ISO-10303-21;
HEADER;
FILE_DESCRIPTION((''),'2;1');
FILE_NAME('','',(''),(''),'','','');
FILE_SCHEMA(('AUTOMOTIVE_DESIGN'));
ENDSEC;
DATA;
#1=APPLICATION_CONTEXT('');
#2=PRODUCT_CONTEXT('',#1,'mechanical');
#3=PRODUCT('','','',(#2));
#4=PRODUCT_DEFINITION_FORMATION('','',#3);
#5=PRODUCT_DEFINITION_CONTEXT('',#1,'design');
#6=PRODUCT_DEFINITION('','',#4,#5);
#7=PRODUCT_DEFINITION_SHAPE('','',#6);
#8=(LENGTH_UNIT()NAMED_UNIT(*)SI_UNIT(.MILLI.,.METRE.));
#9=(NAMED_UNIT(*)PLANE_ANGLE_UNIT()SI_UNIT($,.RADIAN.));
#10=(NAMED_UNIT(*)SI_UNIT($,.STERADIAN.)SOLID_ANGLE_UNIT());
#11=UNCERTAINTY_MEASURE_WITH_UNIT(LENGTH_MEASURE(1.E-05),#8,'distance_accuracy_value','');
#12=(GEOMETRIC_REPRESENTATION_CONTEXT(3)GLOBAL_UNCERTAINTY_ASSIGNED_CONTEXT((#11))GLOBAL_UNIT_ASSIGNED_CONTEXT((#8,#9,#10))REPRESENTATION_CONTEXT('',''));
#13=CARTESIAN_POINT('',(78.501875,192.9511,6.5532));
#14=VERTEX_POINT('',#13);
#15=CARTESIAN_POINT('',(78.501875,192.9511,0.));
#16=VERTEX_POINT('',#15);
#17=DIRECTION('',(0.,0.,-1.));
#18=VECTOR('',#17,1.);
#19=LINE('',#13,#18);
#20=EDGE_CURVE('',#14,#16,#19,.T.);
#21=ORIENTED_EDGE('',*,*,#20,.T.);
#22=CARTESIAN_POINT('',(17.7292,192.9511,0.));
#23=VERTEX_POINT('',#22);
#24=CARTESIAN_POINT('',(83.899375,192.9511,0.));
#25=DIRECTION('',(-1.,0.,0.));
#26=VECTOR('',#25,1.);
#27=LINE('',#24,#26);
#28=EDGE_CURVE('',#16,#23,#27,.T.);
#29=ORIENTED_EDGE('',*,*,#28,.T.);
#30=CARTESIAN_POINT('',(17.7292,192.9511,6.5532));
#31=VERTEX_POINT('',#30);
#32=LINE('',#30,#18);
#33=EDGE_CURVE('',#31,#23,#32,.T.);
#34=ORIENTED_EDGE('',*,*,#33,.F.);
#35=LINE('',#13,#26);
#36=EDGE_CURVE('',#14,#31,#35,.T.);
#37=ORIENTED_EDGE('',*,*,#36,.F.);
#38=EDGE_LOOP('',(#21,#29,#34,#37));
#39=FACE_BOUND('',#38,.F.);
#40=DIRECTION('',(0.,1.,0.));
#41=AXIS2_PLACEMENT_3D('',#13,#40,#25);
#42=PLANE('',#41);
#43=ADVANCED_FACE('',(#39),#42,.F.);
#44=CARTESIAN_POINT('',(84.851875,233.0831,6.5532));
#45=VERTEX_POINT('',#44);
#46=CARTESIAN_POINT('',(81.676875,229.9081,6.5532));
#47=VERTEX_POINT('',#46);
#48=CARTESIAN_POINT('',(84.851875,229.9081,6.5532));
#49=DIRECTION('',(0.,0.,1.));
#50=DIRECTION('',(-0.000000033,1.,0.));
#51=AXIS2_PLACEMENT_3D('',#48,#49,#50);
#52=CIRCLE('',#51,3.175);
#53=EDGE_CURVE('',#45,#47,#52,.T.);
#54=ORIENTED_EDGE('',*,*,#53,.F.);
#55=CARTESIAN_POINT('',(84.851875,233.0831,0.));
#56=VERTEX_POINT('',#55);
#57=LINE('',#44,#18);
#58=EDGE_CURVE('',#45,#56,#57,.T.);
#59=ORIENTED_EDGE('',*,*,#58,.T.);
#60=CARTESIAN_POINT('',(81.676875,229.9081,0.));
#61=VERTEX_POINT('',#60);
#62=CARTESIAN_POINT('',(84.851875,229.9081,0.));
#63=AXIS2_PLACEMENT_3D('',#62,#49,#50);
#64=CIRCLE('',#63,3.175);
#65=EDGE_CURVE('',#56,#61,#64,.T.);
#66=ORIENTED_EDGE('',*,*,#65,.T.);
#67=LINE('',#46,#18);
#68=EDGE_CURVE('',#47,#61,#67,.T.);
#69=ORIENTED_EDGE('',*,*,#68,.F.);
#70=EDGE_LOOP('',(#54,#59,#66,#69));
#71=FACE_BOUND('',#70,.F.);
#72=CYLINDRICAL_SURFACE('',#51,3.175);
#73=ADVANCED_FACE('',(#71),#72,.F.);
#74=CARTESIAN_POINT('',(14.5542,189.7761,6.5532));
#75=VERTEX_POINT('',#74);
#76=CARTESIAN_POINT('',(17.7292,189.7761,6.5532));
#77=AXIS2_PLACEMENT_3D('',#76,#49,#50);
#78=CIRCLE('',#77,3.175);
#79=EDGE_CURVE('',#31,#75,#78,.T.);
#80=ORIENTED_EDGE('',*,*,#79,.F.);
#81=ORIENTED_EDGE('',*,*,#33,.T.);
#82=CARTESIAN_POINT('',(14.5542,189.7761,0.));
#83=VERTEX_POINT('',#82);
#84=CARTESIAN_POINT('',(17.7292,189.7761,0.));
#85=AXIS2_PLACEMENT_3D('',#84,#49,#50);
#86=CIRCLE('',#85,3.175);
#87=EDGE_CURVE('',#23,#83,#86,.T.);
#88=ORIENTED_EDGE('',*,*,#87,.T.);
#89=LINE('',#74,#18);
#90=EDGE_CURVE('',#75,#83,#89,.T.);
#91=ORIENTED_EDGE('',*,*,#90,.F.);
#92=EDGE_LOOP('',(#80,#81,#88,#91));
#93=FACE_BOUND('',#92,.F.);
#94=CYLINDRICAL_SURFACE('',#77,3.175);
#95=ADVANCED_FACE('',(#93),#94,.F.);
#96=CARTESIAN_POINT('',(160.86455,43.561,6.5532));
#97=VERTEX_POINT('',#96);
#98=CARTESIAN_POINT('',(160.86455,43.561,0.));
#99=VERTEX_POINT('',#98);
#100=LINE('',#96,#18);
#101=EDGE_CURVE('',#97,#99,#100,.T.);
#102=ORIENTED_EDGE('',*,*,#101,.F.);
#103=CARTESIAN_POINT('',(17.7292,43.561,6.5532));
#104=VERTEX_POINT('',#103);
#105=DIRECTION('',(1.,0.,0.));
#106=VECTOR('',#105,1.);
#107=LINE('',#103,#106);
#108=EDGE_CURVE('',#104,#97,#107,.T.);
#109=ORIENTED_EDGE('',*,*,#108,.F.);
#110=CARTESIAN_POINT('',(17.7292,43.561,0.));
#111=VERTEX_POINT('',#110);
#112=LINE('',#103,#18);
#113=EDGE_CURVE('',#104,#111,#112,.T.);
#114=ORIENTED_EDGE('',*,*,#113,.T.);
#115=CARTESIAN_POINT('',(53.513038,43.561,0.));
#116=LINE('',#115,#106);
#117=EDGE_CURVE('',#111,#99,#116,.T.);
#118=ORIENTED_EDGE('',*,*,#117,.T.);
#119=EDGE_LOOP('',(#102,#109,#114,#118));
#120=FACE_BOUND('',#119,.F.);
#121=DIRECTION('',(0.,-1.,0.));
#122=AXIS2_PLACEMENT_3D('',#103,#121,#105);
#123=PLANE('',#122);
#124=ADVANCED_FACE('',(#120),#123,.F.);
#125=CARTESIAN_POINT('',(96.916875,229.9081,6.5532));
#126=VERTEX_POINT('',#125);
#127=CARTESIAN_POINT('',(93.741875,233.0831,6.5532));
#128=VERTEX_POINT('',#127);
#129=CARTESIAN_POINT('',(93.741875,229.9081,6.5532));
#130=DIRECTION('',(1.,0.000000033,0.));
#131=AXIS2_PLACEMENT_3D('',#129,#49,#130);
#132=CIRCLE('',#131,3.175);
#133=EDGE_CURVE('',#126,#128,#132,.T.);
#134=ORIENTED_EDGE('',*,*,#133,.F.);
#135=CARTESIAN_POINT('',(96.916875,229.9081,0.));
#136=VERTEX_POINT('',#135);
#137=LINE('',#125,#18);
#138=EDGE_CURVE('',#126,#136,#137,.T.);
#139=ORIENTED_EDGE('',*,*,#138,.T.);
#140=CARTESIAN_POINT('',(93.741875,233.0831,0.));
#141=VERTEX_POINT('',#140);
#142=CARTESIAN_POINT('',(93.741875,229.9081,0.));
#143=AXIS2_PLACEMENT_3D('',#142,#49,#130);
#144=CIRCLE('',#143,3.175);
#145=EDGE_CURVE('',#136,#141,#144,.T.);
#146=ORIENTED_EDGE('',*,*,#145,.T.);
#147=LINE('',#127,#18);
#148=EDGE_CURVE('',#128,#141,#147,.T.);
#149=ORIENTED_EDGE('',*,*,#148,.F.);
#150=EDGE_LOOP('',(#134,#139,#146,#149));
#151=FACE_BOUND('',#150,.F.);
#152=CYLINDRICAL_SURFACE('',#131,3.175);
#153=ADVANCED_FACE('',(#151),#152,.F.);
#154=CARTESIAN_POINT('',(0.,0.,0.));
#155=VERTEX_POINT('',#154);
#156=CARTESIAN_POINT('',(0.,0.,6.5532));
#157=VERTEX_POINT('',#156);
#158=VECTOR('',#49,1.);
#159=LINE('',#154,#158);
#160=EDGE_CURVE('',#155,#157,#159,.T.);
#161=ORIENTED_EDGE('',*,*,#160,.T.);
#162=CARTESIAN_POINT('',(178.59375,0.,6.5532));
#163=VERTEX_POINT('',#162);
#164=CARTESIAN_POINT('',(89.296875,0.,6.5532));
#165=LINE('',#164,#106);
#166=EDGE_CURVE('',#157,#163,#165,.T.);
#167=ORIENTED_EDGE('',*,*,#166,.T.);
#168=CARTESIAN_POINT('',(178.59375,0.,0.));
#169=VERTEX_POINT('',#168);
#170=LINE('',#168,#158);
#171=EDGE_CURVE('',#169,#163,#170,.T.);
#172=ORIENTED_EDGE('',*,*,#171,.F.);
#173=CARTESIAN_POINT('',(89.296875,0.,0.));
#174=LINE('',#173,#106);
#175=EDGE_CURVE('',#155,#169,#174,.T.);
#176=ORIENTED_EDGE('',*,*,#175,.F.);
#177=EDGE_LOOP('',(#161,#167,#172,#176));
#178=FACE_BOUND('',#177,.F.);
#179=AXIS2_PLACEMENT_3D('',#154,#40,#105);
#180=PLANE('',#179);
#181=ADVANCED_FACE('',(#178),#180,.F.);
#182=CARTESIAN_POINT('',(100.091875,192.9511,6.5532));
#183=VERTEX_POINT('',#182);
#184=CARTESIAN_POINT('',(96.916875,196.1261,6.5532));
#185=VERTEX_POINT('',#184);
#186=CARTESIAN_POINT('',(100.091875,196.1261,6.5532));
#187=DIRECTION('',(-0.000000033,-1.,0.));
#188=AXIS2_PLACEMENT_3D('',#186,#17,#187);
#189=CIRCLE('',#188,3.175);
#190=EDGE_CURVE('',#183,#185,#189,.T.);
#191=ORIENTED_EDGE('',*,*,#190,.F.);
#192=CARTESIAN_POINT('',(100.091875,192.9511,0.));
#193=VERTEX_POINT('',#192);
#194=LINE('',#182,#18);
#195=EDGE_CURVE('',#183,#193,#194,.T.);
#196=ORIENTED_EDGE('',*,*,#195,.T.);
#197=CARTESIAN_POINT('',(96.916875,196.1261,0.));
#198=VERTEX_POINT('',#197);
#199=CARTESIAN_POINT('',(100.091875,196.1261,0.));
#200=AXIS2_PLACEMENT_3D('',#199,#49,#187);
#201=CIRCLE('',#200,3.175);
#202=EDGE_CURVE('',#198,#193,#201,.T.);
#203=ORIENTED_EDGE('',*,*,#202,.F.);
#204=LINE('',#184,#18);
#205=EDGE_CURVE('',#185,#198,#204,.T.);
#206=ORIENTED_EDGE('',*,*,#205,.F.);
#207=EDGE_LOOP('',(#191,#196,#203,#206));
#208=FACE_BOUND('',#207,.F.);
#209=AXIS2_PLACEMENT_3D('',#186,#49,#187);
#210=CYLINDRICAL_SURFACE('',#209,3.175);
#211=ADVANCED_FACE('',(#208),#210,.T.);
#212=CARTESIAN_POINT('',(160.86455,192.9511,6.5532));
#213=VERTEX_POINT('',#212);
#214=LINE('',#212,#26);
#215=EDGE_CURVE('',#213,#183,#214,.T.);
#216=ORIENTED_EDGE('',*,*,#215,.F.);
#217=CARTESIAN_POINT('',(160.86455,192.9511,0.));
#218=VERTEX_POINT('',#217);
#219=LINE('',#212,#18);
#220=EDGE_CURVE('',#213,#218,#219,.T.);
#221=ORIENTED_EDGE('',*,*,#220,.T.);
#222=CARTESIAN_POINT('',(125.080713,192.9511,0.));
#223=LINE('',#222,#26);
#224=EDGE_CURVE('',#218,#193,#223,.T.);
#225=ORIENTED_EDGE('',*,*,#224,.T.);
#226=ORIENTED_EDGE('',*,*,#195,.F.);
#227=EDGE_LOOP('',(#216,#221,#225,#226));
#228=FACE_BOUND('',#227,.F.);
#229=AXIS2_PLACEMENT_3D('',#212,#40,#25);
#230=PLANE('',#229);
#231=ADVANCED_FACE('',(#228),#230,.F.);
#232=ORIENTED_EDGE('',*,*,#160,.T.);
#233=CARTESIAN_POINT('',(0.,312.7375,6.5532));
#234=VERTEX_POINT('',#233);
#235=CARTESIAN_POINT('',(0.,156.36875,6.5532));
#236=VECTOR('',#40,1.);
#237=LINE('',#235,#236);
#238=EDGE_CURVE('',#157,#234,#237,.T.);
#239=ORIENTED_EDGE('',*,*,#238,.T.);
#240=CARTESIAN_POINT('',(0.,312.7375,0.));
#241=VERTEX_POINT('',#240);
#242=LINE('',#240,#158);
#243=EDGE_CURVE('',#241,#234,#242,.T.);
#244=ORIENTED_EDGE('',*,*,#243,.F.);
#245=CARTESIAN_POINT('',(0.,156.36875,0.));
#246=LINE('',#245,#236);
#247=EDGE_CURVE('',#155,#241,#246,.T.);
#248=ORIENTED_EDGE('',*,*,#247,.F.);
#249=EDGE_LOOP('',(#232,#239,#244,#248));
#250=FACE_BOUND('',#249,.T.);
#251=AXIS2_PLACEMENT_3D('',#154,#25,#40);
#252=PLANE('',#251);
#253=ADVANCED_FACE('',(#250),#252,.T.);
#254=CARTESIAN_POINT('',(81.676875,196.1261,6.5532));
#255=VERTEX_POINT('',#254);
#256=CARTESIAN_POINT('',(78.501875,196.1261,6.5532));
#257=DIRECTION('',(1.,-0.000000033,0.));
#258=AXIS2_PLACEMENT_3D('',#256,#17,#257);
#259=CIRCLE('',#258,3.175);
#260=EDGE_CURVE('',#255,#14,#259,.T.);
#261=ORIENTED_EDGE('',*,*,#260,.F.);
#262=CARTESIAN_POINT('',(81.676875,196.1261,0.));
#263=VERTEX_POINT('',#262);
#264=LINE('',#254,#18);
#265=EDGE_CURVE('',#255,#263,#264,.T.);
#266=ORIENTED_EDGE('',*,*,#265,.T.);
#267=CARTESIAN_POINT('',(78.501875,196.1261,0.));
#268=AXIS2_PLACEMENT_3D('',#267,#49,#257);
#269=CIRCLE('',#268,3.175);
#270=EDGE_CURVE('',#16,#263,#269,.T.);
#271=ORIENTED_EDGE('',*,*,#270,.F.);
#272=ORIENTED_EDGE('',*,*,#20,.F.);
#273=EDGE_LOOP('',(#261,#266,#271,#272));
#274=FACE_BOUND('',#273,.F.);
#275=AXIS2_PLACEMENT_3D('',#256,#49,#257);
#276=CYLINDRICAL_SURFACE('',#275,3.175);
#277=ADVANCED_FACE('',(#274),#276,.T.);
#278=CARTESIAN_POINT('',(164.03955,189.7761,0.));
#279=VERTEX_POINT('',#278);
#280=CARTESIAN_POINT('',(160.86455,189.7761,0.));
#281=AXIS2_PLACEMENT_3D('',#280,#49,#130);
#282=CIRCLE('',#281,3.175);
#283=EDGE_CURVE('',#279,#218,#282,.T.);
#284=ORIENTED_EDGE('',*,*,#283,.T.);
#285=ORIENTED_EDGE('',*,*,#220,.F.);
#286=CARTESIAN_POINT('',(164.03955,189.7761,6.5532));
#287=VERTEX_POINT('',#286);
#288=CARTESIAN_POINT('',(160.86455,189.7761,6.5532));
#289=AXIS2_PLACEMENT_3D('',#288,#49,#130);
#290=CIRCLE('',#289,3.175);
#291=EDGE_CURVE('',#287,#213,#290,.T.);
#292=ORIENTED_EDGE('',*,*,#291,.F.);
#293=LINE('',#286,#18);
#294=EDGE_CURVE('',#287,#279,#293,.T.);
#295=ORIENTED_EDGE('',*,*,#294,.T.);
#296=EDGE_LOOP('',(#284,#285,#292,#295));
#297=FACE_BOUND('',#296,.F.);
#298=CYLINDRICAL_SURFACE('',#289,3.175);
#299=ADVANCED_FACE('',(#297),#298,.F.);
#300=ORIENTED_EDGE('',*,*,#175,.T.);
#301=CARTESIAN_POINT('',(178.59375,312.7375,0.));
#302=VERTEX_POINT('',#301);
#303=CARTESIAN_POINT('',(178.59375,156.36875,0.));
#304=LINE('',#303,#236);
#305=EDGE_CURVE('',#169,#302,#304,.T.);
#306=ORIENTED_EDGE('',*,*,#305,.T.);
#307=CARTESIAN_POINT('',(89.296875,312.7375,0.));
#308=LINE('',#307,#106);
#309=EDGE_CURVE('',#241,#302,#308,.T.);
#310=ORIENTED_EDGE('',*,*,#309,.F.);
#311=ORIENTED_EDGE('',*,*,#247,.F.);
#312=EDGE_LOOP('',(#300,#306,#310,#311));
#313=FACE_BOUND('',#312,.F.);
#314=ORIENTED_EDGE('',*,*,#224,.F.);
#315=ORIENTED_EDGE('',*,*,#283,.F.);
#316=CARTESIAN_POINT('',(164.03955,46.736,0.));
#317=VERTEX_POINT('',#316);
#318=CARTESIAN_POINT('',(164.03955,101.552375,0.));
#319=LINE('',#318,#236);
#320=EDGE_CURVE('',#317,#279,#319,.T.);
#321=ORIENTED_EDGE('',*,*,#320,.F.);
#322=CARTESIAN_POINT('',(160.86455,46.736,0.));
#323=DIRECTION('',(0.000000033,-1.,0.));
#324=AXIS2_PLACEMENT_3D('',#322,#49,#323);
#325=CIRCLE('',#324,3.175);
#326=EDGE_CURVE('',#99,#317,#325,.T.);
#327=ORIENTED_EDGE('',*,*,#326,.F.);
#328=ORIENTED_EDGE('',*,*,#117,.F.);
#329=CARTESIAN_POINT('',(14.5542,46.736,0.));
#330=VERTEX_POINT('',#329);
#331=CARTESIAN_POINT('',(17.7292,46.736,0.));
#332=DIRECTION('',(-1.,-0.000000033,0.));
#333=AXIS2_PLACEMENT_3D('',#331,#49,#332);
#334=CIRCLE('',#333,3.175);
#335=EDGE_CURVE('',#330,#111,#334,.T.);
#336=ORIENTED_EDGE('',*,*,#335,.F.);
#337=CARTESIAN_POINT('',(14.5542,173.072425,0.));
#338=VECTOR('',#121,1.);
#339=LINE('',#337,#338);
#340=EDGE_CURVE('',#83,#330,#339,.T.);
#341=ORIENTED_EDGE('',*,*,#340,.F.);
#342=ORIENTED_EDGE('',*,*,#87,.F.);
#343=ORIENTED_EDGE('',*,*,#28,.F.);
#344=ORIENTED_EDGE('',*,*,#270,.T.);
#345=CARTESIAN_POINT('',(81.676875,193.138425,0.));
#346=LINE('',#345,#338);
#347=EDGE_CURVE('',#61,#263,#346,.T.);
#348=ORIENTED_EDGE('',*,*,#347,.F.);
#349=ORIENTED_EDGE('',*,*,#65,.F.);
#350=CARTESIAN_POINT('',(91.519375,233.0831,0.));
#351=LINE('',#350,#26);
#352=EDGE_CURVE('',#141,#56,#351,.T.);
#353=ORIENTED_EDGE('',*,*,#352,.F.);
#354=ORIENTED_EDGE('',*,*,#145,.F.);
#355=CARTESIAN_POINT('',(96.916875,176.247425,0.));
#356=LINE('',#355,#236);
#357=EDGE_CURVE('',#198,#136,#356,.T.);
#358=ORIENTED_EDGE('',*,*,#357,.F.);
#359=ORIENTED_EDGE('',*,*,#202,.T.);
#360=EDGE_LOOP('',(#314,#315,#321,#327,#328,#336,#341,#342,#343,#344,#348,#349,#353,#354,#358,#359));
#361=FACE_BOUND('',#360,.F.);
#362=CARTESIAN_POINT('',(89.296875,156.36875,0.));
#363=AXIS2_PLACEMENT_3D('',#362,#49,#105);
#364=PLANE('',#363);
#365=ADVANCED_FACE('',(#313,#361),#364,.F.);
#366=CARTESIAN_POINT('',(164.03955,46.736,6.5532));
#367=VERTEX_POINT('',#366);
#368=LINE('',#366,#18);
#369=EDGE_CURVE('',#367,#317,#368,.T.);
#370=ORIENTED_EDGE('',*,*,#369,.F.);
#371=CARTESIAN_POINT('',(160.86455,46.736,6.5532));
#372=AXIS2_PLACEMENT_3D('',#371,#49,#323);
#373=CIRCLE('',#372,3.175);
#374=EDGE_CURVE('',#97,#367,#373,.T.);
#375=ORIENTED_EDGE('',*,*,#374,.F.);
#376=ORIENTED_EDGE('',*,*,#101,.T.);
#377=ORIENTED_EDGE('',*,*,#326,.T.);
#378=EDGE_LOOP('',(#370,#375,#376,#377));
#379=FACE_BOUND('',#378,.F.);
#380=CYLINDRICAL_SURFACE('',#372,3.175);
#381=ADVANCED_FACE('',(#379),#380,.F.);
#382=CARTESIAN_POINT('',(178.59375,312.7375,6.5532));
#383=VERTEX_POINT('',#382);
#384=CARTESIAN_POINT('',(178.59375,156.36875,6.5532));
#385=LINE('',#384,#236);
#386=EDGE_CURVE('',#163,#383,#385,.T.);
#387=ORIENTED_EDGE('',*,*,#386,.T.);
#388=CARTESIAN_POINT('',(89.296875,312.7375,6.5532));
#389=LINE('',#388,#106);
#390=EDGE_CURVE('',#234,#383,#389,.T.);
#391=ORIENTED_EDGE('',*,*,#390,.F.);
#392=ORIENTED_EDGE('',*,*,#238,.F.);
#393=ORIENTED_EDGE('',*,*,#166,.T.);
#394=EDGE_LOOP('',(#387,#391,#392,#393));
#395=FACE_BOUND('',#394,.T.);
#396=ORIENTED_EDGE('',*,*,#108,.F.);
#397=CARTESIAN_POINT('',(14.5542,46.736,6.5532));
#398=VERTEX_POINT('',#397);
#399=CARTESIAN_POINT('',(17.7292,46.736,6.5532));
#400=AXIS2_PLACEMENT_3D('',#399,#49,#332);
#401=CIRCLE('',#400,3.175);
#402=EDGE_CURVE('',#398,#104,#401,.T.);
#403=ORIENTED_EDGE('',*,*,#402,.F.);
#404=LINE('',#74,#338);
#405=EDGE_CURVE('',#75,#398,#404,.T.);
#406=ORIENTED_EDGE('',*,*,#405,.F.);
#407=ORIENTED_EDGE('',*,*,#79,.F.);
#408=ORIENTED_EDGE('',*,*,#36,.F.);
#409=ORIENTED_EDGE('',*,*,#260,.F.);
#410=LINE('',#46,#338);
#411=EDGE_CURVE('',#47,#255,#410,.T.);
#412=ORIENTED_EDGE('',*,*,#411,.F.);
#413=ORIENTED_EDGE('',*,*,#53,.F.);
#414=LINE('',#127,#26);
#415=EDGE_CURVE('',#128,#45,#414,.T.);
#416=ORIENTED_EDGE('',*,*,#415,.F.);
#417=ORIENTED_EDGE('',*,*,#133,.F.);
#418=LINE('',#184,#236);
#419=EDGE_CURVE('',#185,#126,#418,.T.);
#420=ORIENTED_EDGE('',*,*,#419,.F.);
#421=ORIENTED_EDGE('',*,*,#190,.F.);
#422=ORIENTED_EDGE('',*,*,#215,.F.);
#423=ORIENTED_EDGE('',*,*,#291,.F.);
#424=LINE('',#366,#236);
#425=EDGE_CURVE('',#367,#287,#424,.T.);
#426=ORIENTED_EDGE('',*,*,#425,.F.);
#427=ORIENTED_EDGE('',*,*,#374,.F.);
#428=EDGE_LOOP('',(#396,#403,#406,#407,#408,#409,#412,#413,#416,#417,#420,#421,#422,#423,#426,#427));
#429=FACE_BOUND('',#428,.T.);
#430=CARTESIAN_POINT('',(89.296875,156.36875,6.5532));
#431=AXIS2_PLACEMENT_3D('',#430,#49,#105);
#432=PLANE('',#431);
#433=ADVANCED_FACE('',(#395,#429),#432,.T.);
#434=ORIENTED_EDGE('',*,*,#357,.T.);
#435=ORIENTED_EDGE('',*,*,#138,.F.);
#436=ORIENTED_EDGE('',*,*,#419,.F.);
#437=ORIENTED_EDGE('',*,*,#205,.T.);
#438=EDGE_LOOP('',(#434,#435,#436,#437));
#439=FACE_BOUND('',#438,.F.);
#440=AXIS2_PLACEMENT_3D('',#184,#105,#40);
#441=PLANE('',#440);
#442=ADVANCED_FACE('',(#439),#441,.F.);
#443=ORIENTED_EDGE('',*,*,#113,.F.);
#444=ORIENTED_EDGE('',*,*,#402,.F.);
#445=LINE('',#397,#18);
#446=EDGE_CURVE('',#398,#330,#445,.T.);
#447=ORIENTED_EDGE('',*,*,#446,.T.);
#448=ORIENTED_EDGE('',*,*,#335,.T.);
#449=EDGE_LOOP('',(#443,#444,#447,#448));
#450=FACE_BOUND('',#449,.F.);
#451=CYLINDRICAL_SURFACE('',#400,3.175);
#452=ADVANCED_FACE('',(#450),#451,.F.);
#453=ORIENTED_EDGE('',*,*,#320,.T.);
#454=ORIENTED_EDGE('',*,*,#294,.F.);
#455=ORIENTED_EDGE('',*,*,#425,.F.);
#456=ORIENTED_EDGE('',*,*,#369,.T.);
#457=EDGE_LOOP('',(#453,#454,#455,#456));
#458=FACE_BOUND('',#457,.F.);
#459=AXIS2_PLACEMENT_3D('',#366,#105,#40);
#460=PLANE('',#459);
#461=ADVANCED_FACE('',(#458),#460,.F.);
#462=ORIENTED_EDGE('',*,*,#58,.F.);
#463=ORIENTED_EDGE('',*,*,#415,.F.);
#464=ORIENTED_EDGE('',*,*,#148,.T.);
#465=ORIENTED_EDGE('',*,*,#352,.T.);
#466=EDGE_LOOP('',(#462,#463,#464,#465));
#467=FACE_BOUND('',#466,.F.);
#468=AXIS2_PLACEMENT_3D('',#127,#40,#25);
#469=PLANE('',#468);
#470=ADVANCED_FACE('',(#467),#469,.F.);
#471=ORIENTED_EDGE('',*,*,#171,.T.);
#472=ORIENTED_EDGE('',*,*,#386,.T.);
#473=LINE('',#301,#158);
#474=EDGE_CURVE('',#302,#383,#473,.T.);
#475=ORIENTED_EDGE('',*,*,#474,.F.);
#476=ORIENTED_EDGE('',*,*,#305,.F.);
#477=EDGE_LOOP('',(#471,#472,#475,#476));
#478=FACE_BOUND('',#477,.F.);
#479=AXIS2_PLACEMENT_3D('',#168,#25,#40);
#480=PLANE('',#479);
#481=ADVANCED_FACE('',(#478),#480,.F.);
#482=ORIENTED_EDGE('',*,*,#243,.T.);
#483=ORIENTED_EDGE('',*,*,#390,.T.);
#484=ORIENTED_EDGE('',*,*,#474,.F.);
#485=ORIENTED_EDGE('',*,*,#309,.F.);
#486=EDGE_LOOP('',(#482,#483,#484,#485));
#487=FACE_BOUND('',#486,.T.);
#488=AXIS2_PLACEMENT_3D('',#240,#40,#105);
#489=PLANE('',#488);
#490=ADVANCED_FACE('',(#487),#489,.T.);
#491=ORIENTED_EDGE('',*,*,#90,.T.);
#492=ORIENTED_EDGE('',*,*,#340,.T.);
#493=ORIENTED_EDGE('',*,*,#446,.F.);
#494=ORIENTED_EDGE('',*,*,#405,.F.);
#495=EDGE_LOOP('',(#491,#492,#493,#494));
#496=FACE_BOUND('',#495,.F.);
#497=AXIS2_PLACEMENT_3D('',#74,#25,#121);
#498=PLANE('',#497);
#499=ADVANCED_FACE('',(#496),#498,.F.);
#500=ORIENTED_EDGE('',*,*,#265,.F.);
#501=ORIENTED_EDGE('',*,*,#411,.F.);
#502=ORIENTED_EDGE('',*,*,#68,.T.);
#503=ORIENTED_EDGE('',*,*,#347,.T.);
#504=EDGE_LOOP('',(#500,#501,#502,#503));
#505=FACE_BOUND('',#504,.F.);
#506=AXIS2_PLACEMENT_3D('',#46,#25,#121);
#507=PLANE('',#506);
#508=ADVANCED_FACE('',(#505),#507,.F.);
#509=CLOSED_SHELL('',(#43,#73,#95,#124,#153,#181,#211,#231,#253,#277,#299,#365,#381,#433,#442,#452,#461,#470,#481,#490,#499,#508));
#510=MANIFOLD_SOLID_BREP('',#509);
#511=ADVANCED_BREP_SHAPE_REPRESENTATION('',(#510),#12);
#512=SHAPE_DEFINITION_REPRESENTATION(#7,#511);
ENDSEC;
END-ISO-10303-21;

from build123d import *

# Parameters (mm, degrees)
F0_W     = 178.59375
F0_H     = 312.7375
F1_DEPTH = 6.5532
F3_DEPTH = 25.4


with BuildPart() as f1:
    # F0 (on Top) → F1 (new body)
    with BuildSketch(Plane.XY):
        with Locations((89.296875, 156.36875)):
            Rectangle(F0_W, F0_H)
    extrude(amount=F1_DEPTH)

    # F2 (on face) → F3 (cut)
    with BuildSketch(Plane.XY.offset(6.5532)):
        with BuildLine():
            Line((78.501875, 192.9511), (17.7292, 192.9511))
            ThreePointArc((17.7292, 192.9511), (15.484136, 192.021164), (14.5542, 189.7761))
            Line((14.5542, 189.7761), (14.5542, 46.736))
            ThreePointArc((14.5542, 46.736), (15.484136, 44.490936), (17.7292, 43.561))
            Line((17.7292, 43.561), (160.86455, 43.561))
            ThreePointArc((160.86455, 43.561), (163.109614, 44.490936), (164.03955, 46.736))
            Line((164.03955, 46.736), (164.03955, 189.7761))
            ThreePointArc((164.03955, 189.7761), (163.109614, 192.021164), (160.86455, 192.9511))
            Line((160.86455, 192.9511), (100.091875, 192.9511))
            ThreePointArc((100.091875, 192.9511), (97.846811, 193.881036), (96.916875, 196.1261))
            Line((96.916875, 196.1261), (96.916875, 229.9081))
            ThreePointArc((96.916875, 229.9081), (95.986939, 232.153164), (93.741875, 233.0831))
            Line((93.741875, 233.0831), (84.851875, 233.0831))
            ThreePointArc((84.851875, 233.0831), (82.606811, 232.153164), (81.676875, 229.9081))
            Line((81.676875, 229.9081), (81.676875, 196.1261))
            ThreePointArc((81.676875, 196.1261), (80.746939, 193.881036), (78.501875, 192.9511))
        make_face()
    extrude(amount=-F3_DEPTH, mode=Mode.SUBTRACT)


solid = f1.part
